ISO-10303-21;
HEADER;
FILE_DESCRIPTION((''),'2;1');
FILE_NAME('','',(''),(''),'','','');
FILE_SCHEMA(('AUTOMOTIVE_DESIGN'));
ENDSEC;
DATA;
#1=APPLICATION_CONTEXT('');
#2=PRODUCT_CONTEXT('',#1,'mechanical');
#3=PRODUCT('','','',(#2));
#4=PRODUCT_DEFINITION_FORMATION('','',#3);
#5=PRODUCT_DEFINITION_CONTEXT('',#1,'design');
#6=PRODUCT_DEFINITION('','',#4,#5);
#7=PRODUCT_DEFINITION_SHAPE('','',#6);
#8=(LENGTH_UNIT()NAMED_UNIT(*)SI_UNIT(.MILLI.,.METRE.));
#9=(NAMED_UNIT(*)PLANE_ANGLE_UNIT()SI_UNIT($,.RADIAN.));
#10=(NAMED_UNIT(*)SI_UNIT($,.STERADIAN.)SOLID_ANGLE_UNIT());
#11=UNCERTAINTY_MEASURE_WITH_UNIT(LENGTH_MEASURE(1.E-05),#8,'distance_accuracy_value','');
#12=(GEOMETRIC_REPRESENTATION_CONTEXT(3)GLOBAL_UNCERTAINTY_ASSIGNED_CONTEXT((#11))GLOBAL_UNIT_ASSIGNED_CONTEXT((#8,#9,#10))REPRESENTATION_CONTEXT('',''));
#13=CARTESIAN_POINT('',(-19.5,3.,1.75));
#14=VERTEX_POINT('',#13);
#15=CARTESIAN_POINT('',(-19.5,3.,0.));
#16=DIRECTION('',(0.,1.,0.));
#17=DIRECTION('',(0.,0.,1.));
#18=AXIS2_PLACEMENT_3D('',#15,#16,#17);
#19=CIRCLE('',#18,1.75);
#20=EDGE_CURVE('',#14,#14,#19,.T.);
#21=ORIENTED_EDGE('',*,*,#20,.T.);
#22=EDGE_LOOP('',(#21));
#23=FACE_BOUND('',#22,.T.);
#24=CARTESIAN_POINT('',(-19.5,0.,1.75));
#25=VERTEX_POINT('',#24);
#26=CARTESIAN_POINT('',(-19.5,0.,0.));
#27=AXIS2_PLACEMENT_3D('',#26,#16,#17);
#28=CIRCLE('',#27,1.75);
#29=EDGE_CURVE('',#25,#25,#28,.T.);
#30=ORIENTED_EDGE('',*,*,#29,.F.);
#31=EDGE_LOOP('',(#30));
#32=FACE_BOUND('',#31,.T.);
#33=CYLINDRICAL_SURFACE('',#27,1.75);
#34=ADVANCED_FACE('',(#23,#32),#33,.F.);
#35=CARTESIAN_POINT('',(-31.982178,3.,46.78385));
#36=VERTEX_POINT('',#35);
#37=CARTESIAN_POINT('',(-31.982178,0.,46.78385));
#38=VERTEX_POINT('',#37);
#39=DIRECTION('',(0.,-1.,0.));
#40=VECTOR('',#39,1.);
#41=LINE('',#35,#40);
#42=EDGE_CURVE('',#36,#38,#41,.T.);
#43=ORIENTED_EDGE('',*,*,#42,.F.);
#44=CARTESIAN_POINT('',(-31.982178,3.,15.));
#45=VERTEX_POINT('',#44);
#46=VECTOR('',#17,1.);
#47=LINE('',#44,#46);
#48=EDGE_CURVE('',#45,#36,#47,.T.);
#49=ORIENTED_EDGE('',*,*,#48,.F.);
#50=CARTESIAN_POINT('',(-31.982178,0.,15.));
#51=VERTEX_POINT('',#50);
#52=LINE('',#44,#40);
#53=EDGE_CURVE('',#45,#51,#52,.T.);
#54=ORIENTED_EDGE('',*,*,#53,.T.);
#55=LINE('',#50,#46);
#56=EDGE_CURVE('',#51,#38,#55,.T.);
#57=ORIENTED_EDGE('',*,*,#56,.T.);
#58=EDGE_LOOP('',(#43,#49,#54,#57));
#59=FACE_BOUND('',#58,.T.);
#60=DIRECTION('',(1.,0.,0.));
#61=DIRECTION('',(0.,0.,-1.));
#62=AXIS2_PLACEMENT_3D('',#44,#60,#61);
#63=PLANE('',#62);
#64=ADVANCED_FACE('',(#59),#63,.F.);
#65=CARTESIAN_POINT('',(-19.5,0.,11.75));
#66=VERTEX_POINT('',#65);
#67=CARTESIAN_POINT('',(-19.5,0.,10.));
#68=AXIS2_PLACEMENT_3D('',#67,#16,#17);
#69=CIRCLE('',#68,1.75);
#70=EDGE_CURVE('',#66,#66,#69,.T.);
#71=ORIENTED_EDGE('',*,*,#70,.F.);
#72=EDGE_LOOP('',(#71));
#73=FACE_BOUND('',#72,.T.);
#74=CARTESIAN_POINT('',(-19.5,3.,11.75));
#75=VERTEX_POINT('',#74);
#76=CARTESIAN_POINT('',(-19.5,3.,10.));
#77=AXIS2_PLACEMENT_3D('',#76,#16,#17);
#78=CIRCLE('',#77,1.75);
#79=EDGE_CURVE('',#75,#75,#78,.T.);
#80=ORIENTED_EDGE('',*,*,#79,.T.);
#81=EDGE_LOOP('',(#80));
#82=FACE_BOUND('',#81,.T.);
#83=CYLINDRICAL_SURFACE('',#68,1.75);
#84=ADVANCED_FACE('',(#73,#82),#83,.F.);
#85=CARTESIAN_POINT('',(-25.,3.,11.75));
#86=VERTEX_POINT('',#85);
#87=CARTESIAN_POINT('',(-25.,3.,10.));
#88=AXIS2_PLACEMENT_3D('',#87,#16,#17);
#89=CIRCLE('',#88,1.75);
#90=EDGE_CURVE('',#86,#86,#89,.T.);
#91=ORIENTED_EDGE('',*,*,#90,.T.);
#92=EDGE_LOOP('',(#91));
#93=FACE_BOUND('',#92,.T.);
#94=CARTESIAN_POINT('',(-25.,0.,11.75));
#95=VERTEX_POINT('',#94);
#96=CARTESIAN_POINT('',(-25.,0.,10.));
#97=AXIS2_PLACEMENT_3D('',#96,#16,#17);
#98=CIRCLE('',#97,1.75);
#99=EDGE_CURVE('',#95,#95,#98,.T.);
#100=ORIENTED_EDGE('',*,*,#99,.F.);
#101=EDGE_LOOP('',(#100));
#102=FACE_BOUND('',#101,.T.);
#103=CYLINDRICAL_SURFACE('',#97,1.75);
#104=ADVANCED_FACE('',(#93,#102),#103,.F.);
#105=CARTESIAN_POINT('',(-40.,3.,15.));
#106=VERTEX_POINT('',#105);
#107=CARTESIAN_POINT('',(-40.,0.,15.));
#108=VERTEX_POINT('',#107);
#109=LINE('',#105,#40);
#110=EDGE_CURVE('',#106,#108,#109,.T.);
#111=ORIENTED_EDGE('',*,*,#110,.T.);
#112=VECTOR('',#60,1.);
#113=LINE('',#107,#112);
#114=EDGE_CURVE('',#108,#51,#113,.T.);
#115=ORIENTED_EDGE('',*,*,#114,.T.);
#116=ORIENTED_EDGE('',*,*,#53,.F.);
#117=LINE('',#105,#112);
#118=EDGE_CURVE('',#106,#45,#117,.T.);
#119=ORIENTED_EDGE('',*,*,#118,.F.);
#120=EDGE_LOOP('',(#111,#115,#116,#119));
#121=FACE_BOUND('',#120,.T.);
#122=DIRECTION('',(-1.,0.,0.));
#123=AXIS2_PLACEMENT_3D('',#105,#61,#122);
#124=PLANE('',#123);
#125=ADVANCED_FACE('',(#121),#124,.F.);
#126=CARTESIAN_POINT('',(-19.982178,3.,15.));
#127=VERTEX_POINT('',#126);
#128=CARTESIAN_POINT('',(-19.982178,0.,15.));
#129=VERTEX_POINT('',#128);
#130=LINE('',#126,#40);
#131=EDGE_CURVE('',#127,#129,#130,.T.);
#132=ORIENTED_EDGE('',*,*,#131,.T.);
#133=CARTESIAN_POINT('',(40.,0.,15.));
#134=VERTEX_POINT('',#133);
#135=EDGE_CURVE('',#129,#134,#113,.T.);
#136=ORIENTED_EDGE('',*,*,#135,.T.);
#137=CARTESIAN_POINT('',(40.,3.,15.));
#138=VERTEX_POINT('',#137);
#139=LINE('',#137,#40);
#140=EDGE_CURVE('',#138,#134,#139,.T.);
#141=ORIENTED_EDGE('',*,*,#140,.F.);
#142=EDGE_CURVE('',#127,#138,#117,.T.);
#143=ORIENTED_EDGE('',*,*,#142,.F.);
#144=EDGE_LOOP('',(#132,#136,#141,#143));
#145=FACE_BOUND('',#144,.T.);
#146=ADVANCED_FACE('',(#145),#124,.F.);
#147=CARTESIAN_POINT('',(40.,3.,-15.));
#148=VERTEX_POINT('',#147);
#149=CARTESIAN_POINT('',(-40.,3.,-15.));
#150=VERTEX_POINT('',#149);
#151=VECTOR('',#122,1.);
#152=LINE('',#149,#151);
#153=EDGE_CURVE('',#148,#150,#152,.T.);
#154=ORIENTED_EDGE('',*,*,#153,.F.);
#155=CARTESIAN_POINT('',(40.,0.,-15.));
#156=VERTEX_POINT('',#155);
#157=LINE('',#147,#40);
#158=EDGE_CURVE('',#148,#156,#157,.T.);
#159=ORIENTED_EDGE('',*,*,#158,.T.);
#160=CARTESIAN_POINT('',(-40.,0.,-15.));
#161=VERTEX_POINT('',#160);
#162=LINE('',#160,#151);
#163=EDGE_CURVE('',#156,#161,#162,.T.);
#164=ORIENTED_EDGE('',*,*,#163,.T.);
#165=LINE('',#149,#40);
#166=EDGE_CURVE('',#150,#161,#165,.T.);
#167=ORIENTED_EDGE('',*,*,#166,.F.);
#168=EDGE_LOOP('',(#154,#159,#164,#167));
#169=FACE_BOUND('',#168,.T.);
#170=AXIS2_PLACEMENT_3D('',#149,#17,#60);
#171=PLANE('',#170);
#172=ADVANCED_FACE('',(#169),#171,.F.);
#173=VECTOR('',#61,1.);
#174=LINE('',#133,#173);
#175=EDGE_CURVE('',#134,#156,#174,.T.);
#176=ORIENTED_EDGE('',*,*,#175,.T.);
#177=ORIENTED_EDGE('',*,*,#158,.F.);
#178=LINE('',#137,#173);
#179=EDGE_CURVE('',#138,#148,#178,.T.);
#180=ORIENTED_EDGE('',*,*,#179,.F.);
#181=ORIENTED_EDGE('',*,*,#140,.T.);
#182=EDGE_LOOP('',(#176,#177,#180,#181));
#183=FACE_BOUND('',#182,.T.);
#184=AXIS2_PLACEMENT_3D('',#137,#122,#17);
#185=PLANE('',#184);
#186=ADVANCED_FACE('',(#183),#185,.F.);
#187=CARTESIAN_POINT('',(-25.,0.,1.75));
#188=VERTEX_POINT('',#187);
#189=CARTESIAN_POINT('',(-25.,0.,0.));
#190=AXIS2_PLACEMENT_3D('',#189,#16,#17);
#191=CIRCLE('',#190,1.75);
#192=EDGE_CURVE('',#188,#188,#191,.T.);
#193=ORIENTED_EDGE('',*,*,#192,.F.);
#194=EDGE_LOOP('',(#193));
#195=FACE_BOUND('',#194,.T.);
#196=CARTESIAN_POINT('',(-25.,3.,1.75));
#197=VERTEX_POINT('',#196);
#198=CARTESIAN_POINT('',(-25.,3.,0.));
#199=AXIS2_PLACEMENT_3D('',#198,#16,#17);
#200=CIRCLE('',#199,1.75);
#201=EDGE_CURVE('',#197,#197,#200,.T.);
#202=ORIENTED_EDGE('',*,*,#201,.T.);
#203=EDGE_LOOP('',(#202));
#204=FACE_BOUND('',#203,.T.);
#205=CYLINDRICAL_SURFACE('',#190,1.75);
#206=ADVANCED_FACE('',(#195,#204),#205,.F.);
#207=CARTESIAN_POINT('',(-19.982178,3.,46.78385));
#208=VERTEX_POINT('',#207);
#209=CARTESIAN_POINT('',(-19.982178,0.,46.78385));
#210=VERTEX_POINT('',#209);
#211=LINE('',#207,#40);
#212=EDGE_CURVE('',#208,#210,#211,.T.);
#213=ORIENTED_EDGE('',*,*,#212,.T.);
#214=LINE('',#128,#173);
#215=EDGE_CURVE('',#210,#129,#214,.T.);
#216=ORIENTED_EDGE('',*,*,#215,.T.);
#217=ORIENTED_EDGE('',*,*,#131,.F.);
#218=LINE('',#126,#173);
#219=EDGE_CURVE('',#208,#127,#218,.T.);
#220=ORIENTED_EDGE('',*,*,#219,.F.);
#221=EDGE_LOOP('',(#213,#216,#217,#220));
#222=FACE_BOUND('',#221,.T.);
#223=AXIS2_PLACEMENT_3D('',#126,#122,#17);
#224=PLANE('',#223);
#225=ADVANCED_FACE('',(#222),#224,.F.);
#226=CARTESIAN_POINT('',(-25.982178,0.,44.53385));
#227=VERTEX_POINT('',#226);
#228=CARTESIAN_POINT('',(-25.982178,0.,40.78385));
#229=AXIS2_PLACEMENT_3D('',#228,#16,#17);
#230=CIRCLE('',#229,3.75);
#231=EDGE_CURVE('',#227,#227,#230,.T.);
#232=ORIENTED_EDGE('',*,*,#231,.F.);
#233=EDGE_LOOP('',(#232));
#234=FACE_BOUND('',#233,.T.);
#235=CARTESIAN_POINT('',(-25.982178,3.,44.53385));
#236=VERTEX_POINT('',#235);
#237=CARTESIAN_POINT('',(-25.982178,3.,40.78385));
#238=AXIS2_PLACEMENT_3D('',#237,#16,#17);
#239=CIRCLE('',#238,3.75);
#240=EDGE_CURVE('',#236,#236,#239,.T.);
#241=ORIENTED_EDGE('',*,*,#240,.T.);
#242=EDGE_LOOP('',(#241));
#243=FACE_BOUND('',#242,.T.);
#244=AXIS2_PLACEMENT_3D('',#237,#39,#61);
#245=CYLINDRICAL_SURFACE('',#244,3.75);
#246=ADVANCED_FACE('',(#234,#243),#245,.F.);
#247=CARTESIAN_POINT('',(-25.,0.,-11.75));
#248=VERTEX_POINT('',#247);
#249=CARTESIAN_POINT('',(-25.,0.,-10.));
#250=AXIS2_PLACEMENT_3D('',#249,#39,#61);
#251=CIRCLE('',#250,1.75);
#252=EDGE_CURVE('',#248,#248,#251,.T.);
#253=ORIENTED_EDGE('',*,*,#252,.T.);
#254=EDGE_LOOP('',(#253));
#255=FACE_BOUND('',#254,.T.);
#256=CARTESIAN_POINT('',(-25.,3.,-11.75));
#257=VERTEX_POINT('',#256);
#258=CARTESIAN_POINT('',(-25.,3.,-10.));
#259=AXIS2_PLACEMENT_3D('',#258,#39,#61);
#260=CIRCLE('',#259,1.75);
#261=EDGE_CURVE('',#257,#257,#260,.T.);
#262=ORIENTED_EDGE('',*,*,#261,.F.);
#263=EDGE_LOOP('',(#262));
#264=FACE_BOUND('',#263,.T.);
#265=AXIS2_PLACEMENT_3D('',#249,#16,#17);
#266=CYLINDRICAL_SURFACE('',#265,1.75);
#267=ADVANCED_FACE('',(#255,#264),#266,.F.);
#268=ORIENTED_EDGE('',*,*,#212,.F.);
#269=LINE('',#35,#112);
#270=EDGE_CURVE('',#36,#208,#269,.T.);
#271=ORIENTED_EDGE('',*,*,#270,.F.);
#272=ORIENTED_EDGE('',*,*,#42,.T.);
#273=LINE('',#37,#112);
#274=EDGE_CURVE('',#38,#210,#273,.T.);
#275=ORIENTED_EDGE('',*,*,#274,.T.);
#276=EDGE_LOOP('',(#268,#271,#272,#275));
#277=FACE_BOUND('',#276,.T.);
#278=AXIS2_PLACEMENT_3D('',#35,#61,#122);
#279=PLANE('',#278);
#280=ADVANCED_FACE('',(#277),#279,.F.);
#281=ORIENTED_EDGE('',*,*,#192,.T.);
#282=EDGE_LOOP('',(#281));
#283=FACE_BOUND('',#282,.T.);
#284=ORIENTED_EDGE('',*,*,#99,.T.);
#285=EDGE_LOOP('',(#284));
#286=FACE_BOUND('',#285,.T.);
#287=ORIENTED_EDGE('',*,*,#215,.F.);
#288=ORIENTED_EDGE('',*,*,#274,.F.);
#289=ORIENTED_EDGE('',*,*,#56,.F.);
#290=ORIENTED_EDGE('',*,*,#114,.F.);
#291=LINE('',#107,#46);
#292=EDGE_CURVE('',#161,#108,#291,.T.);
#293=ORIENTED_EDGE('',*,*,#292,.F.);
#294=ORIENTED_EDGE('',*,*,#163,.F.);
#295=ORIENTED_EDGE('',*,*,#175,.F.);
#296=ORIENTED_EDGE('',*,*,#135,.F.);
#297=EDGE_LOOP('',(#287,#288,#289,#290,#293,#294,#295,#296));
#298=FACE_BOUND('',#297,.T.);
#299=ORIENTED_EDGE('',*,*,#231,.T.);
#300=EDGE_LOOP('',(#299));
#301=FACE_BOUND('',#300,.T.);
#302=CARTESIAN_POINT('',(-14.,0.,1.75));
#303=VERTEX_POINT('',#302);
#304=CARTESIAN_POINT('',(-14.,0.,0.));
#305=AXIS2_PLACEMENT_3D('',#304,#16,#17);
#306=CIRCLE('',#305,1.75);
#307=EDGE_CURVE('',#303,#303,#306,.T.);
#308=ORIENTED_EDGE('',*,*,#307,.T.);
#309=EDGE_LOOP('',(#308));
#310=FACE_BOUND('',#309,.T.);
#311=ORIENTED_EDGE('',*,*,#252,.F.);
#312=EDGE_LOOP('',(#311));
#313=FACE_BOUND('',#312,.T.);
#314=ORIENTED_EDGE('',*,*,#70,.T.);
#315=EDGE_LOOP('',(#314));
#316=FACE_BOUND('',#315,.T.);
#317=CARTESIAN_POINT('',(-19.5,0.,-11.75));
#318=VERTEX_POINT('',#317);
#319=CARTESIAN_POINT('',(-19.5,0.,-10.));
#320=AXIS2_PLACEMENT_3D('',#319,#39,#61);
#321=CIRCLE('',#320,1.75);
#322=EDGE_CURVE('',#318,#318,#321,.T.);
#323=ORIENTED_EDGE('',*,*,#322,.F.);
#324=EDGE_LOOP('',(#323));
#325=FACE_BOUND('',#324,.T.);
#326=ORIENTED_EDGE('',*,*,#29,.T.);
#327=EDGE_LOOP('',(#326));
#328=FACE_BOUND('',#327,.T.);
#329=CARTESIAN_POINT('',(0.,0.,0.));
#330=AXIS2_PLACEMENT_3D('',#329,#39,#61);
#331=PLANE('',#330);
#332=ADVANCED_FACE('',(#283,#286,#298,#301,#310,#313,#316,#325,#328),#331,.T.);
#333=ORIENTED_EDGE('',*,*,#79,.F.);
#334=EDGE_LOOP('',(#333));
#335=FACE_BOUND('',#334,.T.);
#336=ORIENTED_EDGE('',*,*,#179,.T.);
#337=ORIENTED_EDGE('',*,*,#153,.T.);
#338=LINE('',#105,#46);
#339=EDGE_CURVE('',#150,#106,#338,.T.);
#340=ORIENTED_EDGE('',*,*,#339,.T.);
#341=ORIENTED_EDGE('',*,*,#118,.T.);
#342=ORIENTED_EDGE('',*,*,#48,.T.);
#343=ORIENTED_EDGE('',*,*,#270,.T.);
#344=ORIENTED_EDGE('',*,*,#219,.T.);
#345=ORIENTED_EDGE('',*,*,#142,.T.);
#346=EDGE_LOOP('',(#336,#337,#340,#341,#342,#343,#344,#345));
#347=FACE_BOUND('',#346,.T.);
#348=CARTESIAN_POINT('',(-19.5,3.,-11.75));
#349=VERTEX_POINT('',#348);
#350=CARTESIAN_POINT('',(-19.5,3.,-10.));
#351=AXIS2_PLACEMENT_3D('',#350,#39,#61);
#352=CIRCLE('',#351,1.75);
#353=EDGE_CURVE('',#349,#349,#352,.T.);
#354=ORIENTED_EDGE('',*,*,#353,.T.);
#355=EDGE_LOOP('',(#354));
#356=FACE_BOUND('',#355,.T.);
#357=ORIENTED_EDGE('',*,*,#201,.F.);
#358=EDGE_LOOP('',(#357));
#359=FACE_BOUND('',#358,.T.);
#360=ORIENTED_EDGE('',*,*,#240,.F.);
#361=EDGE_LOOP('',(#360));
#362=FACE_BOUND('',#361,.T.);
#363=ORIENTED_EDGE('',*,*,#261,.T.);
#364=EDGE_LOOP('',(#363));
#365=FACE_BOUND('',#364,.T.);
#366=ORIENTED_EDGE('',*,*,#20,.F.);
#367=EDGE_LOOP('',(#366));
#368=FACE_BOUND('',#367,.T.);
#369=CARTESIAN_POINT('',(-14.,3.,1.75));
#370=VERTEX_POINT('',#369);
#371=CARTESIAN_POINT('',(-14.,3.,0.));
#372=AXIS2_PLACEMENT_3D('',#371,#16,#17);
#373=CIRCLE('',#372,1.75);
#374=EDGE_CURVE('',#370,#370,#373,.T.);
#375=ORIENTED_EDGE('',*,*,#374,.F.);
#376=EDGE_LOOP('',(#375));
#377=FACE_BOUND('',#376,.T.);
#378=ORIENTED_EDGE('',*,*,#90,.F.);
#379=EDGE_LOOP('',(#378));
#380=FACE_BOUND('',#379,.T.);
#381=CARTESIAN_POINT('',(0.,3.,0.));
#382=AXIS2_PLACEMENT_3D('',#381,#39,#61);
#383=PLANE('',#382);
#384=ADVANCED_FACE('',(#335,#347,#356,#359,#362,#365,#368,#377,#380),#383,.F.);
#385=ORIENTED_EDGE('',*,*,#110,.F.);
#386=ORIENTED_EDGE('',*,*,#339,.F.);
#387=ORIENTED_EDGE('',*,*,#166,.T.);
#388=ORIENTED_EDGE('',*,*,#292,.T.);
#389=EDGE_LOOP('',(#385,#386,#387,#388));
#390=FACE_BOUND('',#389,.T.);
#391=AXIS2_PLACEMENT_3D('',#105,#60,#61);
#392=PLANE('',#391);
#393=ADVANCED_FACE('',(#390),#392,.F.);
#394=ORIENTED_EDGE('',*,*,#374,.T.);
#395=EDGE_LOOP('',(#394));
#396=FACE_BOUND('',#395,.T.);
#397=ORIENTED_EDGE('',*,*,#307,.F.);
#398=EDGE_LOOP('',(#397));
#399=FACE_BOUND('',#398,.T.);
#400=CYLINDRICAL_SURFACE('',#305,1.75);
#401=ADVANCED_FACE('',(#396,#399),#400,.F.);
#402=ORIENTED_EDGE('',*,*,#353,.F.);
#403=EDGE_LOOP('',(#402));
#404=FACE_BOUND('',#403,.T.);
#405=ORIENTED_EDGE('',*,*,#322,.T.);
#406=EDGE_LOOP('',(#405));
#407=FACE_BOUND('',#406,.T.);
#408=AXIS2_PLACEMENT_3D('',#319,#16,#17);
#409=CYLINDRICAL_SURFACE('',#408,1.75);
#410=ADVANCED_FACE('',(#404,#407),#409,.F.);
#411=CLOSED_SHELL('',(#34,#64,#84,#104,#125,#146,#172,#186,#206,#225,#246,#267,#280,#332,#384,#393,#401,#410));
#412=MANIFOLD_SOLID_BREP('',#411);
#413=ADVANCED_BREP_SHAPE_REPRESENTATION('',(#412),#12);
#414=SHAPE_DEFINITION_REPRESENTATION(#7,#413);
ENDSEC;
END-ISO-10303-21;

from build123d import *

# Parameters (mm, degrees)
SKETCH1_W           = 80
SKETCH1_H           = 30
BOSS_EXTRUDE1_DEPTH = 3
SKETCH2_R           = 1.75
CUT_EXTRUDE1_DEPTH  = 3
LPATTERN1_COUNT     = 3
LPATTERN1_PITCH     = 5.5
SKETCH3_R           = 1.75
CUT_EXTRUDE2_DEPTH  = 3
SKETCH4_W           = 12
SKETCH4_H           = 31.783850417
SKETCH4_R           = 3.75
BOSS_EXTRUDE2_DEPTH = 3


with BuildPart() as part:
    # Sketch1 → Boss-Extrude1 (new body)
    with BuildSketch(Plane(origin=(0, 0, 0), x_dir=(1, 0, 0), z_dir=(0, 1, 0))):
        Rectangle(SKETCH1_W, SKETCH1_H)
    extrude(amount=BOSS_EXTRUDE1_DEPTH)

    # Sketch2 → Cut-Extrude1 (cut)
    with BuildSketch(Plane(origin=(0, 3, 0), x_dir=(1, 0, 0), z_dir=(0, 1, 0))):
        with Locations((-25, 0)):
            Circle(SKETCH2_R)
    cut_extrude1 = extrude(amount=-CUT_EXTRUDE1_DEPTH, mode=Mode.SUBTRACT)

    # LPattern1: Cut-Extrude1 ×3
    with Locations(*[(i * LPATTERN1_PITCH, 0, 0) for i in range(1, LPATTERN1_COUNT)]):
        add(cut_extrude1, mode=Mode.SUBTRACT)

    # Sketch3 → Cut-Extrude2 (cut)
    with BuildSketch(Plane(origin=(0, 3, 0), x_dir=(1, 0, 0), z_dir=(0, 1, 0))):
        with Locations((-25, -10)):
            Circle(SKETCH3_R)
        with Locations((-19.5, -10)):
            Circle(SKETCH3_R)
    cut_extrude2 = extrude(amount=-CUT_EXTRUDE2_DEPTH, mode=Mode.SUBTRACT)

    # Mirror1: Cut-Extrude2 across plane
    add(cut_extrude2.mirror(Plane.XY), mode=Mode.SUBTRACT)

    # Sketch4 → Boss-Extrude2 (add)
    with BuildSketch(Plane(origin=(0, 0, 0), x_dir=(1, 0, 0), z_dir=(0, 1, 0))):
        with Locations((-25.982178222, -30.891925209)):
            Rectangle(SKETCH4_W, SKETCH4_H)
        with Locations((-25.982178222, -40.783850417)):
            Circle(SKETCH4_R, mode=Mode.SUBTRACT)
    extrude(amount=BOSS_EXTRUDE2_DEPTH)


solid = part.part
